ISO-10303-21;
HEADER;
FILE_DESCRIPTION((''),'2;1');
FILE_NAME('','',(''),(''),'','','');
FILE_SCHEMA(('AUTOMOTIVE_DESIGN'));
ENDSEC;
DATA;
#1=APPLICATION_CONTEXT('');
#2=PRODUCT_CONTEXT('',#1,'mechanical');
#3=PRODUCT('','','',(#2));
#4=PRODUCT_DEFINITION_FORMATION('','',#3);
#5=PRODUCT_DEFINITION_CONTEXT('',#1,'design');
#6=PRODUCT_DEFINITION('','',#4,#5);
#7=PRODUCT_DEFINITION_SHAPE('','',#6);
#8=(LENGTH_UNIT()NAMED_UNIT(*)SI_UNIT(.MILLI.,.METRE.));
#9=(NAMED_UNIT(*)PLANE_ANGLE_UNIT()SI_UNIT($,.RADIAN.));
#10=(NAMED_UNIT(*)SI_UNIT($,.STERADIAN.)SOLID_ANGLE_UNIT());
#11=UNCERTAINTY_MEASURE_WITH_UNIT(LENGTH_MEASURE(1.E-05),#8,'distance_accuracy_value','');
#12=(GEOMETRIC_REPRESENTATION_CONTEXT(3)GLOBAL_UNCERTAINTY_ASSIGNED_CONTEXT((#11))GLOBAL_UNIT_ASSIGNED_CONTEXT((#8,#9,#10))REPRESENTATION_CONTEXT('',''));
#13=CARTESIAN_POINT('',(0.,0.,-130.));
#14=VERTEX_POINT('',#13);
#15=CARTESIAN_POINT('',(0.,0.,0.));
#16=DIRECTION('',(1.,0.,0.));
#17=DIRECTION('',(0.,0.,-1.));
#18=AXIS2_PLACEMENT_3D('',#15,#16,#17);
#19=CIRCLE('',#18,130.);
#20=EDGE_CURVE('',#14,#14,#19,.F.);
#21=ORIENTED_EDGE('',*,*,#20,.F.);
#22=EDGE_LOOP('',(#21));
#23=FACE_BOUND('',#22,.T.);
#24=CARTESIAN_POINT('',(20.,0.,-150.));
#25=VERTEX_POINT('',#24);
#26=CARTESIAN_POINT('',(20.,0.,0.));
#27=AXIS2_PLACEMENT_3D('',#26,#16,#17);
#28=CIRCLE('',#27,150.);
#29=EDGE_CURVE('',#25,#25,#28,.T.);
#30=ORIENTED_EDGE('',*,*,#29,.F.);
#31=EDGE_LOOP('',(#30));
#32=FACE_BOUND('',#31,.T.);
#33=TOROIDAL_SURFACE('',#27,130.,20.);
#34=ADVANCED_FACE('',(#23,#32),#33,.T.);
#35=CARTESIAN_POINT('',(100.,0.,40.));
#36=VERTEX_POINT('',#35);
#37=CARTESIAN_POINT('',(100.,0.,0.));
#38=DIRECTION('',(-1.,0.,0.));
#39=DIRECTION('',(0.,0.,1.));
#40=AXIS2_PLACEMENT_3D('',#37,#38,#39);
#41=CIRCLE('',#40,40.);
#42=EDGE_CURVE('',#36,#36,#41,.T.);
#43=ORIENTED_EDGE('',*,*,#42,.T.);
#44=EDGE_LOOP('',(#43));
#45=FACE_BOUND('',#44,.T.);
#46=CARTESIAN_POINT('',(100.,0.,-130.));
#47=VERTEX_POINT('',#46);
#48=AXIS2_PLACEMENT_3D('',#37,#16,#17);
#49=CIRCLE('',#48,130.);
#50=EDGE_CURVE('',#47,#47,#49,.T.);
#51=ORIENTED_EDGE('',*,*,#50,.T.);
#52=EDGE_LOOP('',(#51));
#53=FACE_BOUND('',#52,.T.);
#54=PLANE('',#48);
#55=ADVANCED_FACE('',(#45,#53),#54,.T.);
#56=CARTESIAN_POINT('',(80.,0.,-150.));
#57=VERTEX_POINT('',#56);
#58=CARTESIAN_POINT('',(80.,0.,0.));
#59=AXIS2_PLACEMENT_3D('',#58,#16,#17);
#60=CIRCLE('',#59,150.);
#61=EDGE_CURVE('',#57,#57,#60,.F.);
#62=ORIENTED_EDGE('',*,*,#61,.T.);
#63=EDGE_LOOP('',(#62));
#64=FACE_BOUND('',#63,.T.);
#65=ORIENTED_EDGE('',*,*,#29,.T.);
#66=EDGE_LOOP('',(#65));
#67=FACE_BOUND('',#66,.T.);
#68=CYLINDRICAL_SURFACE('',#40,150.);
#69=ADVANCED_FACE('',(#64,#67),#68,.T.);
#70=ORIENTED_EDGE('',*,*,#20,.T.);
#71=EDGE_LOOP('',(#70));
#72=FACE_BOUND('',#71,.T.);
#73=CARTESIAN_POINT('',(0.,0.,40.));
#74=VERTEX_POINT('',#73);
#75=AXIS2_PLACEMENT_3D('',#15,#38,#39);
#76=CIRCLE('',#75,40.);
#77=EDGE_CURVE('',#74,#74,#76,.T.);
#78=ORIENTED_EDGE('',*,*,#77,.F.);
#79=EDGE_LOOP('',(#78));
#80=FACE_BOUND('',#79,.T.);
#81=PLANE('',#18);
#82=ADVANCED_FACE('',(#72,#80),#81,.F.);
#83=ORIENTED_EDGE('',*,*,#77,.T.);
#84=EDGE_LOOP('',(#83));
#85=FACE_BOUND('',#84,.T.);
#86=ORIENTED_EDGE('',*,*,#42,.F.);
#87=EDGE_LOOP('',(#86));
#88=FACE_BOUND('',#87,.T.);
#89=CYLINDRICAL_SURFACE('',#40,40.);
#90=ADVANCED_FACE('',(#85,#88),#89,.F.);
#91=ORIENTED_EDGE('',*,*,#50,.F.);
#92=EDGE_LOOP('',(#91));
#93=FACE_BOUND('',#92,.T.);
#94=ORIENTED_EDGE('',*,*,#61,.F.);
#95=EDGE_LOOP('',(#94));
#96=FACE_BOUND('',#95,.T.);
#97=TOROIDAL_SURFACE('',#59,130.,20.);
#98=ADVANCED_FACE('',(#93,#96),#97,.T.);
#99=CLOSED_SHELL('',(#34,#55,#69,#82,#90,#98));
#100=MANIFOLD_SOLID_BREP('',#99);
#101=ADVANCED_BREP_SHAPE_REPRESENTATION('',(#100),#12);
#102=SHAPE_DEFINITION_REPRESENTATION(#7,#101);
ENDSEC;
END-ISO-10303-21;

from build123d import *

# Parameters (mm, degrees)
SKETCH1_R           = 150
BOSS_EXTRUDE1_DEPTH = 100
FILLET1_R           = 20
SKETCH2_R           = 40
CUT_EXTRUDE1_DEPTH  = 101


with BuildPart() as part:
    # Sketch1 → Boss-Extrude1 (new body)
    with BuildSketch(Plane(origin=(0, 0, 0), x_dir=(0, 0, -1), z_dir=(1, 0, 0))):
        Circle(SKETCH1_R)
    extrude(amount=BOSS_EXTRUDE1_DEPTH)

    # Fillet1
    fillet1_edges = [part.edges().sort_by_distance(p)[0] for p in [
        (0, 0, 150),
        (100, 0, 150),
    ]]
    fillet(fillet1_edges, radius=FILLET1_R)

    # Sketch2 → Cut-Extrude1 (cut, through all)
    with BuildSketch(Plane.ZY):
        Circle(SKETCH2_R)
    extrude(amount=-CUT_EXTRUDE1_DEPTH, mode=Mode.SUBTRACT)


solid = part.part
